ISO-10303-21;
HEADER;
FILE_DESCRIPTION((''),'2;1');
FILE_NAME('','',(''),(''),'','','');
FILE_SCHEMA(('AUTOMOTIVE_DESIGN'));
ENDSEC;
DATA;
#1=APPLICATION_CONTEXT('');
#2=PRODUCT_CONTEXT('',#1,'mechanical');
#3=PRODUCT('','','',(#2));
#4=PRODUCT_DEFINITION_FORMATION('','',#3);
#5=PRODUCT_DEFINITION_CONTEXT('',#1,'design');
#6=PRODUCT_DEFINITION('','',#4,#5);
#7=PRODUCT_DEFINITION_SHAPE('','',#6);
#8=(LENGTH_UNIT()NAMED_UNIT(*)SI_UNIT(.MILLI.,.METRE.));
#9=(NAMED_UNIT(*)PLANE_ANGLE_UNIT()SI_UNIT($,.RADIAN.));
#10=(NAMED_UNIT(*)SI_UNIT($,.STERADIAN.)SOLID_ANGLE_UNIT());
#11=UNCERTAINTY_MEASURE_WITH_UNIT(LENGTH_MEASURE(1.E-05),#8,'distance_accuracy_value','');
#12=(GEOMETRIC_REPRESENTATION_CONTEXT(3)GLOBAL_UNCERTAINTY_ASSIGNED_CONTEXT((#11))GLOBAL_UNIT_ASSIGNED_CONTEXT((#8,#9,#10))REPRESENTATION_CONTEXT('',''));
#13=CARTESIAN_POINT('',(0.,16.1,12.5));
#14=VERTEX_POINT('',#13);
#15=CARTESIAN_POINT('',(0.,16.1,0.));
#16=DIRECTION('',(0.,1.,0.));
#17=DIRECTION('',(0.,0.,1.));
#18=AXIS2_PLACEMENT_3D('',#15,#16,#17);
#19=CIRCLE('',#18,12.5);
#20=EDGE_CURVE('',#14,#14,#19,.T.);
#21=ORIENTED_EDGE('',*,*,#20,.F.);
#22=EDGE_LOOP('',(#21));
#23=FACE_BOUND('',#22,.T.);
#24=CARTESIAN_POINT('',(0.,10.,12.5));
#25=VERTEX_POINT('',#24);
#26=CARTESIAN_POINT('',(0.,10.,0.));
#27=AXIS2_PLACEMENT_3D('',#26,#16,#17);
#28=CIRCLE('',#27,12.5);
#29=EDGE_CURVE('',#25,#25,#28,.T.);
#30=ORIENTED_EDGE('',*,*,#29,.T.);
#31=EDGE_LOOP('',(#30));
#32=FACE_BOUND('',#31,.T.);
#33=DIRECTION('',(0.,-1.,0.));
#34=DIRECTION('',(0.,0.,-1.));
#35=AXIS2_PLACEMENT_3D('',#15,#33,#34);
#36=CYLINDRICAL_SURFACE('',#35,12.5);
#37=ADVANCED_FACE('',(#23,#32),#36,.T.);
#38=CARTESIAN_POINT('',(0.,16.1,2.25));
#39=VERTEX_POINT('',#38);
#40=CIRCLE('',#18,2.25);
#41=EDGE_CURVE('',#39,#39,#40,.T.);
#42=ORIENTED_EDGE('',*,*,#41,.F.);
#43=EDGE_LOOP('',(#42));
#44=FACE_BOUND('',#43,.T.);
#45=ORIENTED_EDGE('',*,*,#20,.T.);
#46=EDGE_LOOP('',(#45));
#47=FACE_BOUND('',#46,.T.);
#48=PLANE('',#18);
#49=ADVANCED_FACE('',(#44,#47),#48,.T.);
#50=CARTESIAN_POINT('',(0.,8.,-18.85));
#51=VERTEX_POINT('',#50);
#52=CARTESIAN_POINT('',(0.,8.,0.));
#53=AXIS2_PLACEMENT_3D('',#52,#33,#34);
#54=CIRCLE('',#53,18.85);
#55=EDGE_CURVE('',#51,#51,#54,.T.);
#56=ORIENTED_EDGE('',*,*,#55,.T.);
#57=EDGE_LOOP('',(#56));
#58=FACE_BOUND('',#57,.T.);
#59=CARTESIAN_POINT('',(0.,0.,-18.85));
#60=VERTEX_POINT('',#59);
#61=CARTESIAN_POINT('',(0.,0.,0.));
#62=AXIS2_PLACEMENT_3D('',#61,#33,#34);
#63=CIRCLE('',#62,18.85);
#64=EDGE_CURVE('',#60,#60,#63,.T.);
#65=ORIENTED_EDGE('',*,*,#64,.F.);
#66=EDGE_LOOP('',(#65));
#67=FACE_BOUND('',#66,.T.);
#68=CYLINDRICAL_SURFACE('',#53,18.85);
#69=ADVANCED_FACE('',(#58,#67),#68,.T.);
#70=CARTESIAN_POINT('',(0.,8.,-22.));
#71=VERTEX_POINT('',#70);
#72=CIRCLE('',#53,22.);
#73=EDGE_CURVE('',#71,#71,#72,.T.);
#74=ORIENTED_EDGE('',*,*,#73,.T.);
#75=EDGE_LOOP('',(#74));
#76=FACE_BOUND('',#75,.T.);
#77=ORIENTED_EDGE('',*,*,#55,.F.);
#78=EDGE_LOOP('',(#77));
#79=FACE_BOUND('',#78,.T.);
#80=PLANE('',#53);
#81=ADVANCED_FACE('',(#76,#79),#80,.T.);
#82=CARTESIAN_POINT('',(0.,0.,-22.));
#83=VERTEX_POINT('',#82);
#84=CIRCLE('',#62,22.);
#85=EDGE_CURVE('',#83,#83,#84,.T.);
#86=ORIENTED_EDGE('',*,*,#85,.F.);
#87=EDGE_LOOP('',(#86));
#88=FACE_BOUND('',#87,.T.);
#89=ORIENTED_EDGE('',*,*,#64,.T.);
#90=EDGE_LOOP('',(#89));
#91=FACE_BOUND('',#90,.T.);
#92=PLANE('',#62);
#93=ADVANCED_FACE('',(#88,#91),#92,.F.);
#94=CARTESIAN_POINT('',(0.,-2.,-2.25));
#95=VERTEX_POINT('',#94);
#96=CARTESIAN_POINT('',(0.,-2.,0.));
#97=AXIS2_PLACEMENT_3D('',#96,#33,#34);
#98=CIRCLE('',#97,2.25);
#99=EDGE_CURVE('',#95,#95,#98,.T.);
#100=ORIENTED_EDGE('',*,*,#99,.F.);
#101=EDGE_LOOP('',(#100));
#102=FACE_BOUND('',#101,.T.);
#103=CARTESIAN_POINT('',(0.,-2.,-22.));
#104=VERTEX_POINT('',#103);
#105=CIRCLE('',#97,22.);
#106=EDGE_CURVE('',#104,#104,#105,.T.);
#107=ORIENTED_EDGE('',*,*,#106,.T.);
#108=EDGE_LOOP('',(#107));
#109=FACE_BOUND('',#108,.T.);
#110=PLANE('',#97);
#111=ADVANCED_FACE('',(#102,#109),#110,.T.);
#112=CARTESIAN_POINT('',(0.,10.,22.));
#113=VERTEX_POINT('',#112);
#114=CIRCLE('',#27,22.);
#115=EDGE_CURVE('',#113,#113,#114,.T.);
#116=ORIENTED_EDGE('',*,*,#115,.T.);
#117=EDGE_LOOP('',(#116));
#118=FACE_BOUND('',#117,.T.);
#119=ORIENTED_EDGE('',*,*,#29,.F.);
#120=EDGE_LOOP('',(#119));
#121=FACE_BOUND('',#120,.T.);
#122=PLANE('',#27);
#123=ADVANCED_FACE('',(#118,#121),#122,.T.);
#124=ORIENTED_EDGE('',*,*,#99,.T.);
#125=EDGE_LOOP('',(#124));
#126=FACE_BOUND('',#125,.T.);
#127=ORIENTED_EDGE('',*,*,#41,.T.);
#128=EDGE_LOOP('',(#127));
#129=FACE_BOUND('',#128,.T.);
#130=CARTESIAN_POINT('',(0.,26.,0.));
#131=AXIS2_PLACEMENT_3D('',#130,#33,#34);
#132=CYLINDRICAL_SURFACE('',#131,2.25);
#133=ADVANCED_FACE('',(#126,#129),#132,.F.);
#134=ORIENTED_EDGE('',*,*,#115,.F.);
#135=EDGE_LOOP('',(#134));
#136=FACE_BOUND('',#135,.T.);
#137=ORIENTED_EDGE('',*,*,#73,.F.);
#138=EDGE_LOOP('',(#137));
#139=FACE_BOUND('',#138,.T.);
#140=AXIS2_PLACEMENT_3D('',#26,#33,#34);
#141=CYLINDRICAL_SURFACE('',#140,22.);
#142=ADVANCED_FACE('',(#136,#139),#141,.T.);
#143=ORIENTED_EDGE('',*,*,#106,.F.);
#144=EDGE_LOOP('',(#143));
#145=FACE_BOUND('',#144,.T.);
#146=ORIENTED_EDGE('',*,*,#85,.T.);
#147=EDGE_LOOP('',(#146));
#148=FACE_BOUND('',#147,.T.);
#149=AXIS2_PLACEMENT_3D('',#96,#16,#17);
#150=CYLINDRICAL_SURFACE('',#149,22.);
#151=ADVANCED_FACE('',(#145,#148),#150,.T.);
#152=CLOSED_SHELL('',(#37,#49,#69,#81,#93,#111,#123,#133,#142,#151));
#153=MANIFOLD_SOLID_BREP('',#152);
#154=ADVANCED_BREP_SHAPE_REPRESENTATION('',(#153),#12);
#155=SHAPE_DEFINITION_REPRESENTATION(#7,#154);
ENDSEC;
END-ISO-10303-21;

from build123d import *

# Parameters (mm, degrees)
SKETCH1_R           = 22
BOSS_EXTRUDE1_DEPTH = 10
SKETCH2_R           = 12.5
BOSS_EXTRUDE2_DEPTH = 6.1
SKETCH3_R           = 22
SKETCH3_R_2         = 18.85
CUT_EXTRUDE2_DEPTH  = 8
SKETCH5_R           = 22
BOSS_EXTRUDE3_DEPTH = 2
SKETCH6_R           = 2.25
CUT_EXTRUDE3_DEPTH  = 28


with BuildPart() as part:
    # Sketch1 → Boss-Extrude1 (new body)
    with BuildSketch(Plane(origin=(0, 0, 0), x_dir=(1, 0, 0), z_dir=(0, 1, 0))):
        Circle(SKETCH1_R)
    extrude(amount=BOSS_EXTRUDE1_DEPTH)

    # Sketch2 → Boss-Extrude2 (add)
    with BuildSketch(Plane(origin=(0, 10, 0), x_dir=(1, 0, 0), z_dir=(0, 1, 0))):
        Circle(SKETCH2_R)
    extrude(amount=BOSS_EXTRUDE2_DEPTH)

    # Sketch3 → Cut-Extrude2 (cut)
    with BuildSketch(Plane.XZ):
        Circle(SKETCH3_R)
        Circle(SKETCH3_R_2, mode=Mode.SUBTRACT)
    extrude(amount=-CUT_EXTRUDE2_DEPTH, mode=Mode.SUBTRACT)

    # Sketch5 → Boss-Extrude3 (add)
    with BuildSketch(Plane.XZ):
        Circle(SKETCH5_R)
    extrude(amount=BOSS_EXTRUDE3_DEPTH)

    # Sketch6 → Cut-Extrude3 (cut)
    with BuildSketch(Plane.XZ.offset(2)):
        Circle(SKETCH6_R)
    extrude(amount=-CUT_EXTRUDE3_DEPTH, mode=Mode.SUBTRACT)


solid = part.part
